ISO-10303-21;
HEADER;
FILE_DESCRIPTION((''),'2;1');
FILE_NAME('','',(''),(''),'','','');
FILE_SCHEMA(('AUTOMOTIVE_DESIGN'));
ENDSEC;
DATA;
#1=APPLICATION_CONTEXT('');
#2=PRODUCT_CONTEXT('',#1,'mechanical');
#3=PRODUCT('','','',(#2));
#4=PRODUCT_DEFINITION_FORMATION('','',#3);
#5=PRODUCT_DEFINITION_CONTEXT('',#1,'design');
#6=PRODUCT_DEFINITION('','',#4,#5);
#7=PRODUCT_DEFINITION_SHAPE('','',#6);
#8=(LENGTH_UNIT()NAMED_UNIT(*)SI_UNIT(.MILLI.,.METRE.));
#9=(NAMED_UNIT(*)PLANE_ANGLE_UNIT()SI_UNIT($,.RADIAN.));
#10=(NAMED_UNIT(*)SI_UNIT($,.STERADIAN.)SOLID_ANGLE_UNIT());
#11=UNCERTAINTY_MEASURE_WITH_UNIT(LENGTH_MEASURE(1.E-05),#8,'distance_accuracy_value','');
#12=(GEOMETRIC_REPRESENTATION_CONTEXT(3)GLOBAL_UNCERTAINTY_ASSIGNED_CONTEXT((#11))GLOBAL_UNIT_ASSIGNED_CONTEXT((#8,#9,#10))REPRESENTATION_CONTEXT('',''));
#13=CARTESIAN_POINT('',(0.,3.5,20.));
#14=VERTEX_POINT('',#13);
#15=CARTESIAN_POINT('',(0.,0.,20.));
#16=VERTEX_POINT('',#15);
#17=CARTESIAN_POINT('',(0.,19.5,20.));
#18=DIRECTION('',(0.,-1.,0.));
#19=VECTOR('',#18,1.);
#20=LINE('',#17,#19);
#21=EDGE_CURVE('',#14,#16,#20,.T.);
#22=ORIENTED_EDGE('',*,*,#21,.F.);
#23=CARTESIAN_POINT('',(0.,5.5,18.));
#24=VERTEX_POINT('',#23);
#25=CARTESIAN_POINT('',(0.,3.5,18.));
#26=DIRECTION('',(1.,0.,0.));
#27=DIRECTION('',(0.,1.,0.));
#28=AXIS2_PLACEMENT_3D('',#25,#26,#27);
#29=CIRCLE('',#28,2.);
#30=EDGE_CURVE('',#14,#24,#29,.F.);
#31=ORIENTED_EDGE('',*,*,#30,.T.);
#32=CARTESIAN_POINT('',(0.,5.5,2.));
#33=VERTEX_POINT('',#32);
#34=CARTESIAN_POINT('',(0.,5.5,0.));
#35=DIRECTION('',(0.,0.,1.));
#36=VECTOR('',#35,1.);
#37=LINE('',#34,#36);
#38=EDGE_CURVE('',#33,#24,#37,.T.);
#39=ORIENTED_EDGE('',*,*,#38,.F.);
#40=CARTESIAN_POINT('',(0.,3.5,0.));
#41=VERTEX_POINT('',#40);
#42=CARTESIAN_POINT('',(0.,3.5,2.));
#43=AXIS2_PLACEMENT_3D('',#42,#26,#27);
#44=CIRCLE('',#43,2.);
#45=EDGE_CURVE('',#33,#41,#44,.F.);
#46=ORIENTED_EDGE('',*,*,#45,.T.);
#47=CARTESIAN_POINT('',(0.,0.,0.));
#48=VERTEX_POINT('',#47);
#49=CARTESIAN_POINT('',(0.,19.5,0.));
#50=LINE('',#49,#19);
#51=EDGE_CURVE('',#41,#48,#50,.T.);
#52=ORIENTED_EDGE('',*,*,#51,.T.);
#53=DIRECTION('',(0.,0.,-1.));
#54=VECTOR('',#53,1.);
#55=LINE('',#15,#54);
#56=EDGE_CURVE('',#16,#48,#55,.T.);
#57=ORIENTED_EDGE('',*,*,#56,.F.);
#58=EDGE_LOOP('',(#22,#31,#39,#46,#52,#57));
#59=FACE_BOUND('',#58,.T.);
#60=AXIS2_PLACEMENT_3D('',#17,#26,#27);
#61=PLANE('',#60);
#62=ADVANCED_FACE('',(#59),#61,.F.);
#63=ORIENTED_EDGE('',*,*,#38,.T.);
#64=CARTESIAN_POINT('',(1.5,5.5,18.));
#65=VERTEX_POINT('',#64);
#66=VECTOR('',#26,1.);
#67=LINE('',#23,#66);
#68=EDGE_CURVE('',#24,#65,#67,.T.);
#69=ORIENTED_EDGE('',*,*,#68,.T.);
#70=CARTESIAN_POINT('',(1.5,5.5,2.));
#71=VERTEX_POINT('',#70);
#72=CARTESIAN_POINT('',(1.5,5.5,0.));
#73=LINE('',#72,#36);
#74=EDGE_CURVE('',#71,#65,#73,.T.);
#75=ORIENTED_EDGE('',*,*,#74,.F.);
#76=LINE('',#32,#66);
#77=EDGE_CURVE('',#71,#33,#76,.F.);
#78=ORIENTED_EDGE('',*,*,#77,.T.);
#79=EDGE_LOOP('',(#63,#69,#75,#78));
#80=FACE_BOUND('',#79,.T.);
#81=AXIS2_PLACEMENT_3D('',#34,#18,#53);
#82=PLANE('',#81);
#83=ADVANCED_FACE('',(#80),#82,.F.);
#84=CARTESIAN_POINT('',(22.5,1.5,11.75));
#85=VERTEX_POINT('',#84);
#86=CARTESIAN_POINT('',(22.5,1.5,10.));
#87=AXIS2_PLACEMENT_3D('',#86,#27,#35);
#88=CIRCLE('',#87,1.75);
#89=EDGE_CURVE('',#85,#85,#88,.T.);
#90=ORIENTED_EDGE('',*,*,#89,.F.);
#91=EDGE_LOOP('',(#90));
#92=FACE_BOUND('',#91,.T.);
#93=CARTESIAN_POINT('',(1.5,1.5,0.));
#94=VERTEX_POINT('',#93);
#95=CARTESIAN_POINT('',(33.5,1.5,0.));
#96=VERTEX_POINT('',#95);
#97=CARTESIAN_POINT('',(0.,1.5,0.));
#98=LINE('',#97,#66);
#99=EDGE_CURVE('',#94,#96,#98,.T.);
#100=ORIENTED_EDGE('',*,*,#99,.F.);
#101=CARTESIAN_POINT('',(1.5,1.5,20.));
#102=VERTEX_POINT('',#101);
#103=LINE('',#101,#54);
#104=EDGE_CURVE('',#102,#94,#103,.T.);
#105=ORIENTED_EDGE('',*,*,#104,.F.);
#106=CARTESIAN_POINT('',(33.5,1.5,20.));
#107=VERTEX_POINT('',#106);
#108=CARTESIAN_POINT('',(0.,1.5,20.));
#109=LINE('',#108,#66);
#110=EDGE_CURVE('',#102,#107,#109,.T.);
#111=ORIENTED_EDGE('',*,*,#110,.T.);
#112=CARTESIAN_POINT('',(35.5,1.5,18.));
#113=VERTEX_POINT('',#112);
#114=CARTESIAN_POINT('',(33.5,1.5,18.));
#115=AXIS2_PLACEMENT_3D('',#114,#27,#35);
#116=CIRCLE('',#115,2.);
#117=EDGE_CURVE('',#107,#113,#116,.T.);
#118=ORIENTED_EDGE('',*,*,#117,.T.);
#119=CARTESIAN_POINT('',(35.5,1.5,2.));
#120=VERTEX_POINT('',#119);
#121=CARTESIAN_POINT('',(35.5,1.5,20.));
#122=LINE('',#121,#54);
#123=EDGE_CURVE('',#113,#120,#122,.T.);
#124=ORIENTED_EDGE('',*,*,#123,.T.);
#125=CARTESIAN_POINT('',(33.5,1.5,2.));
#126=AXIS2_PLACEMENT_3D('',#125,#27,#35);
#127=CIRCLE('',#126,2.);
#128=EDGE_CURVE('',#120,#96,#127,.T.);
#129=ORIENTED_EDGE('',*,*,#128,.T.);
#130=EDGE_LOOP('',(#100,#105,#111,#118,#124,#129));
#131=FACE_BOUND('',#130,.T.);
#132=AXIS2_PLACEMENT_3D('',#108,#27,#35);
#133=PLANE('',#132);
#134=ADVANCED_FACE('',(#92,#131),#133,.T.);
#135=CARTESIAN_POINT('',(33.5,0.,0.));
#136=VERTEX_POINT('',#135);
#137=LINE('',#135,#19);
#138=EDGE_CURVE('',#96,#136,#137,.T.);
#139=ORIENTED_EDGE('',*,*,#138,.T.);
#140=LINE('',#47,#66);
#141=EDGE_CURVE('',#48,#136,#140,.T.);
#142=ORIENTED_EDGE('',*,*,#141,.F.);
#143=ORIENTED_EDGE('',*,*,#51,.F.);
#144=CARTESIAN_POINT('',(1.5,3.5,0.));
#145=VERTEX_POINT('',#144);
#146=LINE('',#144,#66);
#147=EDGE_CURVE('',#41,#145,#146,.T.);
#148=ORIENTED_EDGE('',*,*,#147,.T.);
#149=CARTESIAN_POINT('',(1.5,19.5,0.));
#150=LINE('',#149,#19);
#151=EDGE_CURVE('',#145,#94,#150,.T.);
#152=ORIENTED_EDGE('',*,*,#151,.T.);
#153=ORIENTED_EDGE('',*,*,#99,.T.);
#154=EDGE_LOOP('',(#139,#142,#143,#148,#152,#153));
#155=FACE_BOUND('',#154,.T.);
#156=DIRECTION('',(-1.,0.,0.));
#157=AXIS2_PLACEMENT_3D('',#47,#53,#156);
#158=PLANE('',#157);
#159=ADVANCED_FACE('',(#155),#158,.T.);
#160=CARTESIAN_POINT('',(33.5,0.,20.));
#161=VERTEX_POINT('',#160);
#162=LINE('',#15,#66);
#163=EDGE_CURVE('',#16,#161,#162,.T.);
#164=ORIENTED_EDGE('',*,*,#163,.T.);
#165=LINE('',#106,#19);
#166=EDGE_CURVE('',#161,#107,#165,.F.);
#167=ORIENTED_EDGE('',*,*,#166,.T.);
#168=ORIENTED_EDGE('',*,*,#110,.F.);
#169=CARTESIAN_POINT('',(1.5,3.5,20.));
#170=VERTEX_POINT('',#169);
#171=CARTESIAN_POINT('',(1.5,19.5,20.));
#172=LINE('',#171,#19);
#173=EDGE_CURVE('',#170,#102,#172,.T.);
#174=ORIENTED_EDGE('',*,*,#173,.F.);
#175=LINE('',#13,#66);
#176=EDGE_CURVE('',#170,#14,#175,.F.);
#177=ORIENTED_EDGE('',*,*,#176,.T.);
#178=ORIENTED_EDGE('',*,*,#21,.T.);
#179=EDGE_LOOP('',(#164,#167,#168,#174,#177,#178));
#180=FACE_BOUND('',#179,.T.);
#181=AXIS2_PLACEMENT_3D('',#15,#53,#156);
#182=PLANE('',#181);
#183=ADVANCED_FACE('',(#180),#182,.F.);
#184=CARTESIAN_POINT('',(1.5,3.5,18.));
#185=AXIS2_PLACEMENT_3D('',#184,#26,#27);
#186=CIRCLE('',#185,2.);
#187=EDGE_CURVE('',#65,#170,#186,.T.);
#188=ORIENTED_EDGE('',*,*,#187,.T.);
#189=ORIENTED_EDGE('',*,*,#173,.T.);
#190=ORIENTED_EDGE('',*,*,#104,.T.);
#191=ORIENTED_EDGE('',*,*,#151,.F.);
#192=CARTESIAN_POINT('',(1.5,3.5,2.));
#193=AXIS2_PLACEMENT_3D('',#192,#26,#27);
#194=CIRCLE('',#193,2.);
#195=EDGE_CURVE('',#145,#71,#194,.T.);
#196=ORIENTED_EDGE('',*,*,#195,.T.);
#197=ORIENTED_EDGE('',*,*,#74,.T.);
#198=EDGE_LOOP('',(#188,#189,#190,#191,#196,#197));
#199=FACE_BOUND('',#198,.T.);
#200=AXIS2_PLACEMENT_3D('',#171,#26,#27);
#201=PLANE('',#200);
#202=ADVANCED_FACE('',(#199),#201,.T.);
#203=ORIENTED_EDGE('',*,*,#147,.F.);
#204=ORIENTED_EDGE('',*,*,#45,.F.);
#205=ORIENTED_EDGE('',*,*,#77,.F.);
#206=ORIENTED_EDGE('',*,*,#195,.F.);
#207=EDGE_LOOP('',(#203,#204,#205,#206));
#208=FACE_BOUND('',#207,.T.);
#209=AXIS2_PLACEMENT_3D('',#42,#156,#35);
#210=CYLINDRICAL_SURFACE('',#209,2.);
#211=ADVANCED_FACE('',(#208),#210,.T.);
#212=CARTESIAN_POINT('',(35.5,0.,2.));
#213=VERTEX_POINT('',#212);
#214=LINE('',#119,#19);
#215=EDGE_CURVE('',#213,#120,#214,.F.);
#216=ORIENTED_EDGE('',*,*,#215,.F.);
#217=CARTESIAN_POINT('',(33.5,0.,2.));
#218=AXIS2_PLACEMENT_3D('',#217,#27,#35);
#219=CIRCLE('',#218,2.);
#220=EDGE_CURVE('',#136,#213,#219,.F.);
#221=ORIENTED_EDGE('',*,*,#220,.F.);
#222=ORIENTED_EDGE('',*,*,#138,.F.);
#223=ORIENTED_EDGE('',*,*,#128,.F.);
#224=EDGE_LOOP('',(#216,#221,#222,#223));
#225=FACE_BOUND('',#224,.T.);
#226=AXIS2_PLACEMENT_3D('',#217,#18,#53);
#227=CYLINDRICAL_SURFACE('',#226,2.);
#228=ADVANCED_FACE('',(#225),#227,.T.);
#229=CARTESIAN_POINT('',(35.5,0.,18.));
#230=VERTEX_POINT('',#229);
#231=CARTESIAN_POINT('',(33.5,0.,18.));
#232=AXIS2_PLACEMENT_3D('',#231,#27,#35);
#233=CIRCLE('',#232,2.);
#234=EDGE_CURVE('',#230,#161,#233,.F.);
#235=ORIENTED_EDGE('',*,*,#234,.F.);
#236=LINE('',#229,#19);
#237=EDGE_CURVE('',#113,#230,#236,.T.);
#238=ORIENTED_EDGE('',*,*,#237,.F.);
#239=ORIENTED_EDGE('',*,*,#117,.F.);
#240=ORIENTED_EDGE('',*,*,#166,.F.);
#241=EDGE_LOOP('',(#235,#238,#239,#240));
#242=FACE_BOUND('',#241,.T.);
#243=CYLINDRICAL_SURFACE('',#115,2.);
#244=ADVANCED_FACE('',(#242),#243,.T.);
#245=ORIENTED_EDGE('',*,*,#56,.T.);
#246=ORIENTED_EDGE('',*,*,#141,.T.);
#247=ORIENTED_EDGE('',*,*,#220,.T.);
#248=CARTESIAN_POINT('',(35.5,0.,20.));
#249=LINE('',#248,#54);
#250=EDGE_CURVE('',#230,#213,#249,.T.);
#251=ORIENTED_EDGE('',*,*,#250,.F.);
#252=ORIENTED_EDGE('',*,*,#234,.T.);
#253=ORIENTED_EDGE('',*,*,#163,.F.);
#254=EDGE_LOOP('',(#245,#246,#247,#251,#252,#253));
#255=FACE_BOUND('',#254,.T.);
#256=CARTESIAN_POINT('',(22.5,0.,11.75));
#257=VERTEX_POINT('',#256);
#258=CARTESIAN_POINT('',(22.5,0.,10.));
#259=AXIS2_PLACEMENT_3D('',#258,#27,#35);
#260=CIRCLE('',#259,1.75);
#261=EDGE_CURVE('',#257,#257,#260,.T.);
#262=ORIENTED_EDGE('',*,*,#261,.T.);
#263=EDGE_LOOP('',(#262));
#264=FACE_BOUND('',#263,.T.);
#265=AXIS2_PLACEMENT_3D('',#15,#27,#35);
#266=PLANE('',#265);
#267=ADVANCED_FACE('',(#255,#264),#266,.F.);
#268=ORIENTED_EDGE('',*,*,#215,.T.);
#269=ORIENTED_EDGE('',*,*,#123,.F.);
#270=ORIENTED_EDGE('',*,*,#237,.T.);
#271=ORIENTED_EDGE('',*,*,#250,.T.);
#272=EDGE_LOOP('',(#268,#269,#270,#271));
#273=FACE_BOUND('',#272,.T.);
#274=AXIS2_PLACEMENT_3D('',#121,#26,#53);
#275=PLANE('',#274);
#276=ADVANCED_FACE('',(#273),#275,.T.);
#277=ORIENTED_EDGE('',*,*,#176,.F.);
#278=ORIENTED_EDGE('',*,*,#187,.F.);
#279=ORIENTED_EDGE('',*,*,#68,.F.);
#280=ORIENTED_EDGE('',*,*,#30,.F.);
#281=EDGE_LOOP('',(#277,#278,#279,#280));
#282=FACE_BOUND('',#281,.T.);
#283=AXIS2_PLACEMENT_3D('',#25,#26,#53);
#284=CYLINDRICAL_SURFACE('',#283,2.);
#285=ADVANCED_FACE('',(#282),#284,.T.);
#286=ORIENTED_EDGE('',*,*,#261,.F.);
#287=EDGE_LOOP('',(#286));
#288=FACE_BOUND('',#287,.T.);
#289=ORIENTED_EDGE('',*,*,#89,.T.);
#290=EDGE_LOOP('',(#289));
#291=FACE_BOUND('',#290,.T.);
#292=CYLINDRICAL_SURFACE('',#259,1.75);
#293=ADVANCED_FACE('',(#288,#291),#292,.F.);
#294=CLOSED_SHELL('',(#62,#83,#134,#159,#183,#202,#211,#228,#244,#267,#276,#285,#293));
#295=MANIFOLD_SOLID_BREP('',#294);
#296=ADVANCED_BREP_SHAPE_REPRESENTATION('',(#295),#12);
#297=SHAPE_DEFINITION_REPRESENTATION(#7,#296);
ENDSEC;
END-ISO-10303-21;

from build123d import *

# Parameters (mm, degrees)
EXTRU_MINCE1_DEPTH      = 20
ESQUISSE2_R             = 1.75
ENL_V_MAT_EXTRU_1_DEPTH = 45.544921147
ESQUISSE3_W             = 1.5
ESQUISSE3_H             = 14
ENL_V_MAT_EXTRU_2_DEPTH = 46.171893916
CONG_1_R                = 2


with BuildPart() as part:
    # Esquisse1 → Extru.-Mince1 (new body)
    with BuildSketch(Plane.XY):
        Polygon((0, 19.5), (0, 0), (35.5, 0), (35.5, 1.5), (1.5, 1.5), (1.5, 19.5), align=None)
    extrude(amount=EXTRU_MINCE1_DEPTH)

    # Esquisse2 → Enlèv. mat.-Extru.1 (cut, through all)
    with BuildSketch(Plane(origin=(0, 1.5, 0), x_dir=(1, 0, 0), z_dir=(0, 1, 0))):
        with Locations(Location((22.5, -10, 0), (0, 0, 270))):
            Circle(ESQUISSE2_R)
    extrude(amount=-ENL_V_MAT_EXTRU_1_DEPTH, mode=Mode.SUBTRACT)

    # Esquisse3 → Enlèv. mat.-Extru.2 (cut, through all)
    with BuildSketch(Plane.XY.offset(20)):
        with Locations((0.75, 12.5)):
            Rectangle(ESQUISSE3_W, ESQUISSE3_H)
    extrude(amount=-ENL_V_MAT_EXTRU_2_DEPTH, mode=Mode.SUBTRACT)

    # Congé1
    cong_1_edges = [part.edges().sort_by_distance(p)[0] for p in [
        (0.75, 5.5, 0),
        (0.75, 5.5, 20),
        (35.5, 0.75, 0),
        (35.5, 0.75, 20),
    ]]
    fillet(cong_1_edges, radius=CONG_1_R)


solid = part.part
